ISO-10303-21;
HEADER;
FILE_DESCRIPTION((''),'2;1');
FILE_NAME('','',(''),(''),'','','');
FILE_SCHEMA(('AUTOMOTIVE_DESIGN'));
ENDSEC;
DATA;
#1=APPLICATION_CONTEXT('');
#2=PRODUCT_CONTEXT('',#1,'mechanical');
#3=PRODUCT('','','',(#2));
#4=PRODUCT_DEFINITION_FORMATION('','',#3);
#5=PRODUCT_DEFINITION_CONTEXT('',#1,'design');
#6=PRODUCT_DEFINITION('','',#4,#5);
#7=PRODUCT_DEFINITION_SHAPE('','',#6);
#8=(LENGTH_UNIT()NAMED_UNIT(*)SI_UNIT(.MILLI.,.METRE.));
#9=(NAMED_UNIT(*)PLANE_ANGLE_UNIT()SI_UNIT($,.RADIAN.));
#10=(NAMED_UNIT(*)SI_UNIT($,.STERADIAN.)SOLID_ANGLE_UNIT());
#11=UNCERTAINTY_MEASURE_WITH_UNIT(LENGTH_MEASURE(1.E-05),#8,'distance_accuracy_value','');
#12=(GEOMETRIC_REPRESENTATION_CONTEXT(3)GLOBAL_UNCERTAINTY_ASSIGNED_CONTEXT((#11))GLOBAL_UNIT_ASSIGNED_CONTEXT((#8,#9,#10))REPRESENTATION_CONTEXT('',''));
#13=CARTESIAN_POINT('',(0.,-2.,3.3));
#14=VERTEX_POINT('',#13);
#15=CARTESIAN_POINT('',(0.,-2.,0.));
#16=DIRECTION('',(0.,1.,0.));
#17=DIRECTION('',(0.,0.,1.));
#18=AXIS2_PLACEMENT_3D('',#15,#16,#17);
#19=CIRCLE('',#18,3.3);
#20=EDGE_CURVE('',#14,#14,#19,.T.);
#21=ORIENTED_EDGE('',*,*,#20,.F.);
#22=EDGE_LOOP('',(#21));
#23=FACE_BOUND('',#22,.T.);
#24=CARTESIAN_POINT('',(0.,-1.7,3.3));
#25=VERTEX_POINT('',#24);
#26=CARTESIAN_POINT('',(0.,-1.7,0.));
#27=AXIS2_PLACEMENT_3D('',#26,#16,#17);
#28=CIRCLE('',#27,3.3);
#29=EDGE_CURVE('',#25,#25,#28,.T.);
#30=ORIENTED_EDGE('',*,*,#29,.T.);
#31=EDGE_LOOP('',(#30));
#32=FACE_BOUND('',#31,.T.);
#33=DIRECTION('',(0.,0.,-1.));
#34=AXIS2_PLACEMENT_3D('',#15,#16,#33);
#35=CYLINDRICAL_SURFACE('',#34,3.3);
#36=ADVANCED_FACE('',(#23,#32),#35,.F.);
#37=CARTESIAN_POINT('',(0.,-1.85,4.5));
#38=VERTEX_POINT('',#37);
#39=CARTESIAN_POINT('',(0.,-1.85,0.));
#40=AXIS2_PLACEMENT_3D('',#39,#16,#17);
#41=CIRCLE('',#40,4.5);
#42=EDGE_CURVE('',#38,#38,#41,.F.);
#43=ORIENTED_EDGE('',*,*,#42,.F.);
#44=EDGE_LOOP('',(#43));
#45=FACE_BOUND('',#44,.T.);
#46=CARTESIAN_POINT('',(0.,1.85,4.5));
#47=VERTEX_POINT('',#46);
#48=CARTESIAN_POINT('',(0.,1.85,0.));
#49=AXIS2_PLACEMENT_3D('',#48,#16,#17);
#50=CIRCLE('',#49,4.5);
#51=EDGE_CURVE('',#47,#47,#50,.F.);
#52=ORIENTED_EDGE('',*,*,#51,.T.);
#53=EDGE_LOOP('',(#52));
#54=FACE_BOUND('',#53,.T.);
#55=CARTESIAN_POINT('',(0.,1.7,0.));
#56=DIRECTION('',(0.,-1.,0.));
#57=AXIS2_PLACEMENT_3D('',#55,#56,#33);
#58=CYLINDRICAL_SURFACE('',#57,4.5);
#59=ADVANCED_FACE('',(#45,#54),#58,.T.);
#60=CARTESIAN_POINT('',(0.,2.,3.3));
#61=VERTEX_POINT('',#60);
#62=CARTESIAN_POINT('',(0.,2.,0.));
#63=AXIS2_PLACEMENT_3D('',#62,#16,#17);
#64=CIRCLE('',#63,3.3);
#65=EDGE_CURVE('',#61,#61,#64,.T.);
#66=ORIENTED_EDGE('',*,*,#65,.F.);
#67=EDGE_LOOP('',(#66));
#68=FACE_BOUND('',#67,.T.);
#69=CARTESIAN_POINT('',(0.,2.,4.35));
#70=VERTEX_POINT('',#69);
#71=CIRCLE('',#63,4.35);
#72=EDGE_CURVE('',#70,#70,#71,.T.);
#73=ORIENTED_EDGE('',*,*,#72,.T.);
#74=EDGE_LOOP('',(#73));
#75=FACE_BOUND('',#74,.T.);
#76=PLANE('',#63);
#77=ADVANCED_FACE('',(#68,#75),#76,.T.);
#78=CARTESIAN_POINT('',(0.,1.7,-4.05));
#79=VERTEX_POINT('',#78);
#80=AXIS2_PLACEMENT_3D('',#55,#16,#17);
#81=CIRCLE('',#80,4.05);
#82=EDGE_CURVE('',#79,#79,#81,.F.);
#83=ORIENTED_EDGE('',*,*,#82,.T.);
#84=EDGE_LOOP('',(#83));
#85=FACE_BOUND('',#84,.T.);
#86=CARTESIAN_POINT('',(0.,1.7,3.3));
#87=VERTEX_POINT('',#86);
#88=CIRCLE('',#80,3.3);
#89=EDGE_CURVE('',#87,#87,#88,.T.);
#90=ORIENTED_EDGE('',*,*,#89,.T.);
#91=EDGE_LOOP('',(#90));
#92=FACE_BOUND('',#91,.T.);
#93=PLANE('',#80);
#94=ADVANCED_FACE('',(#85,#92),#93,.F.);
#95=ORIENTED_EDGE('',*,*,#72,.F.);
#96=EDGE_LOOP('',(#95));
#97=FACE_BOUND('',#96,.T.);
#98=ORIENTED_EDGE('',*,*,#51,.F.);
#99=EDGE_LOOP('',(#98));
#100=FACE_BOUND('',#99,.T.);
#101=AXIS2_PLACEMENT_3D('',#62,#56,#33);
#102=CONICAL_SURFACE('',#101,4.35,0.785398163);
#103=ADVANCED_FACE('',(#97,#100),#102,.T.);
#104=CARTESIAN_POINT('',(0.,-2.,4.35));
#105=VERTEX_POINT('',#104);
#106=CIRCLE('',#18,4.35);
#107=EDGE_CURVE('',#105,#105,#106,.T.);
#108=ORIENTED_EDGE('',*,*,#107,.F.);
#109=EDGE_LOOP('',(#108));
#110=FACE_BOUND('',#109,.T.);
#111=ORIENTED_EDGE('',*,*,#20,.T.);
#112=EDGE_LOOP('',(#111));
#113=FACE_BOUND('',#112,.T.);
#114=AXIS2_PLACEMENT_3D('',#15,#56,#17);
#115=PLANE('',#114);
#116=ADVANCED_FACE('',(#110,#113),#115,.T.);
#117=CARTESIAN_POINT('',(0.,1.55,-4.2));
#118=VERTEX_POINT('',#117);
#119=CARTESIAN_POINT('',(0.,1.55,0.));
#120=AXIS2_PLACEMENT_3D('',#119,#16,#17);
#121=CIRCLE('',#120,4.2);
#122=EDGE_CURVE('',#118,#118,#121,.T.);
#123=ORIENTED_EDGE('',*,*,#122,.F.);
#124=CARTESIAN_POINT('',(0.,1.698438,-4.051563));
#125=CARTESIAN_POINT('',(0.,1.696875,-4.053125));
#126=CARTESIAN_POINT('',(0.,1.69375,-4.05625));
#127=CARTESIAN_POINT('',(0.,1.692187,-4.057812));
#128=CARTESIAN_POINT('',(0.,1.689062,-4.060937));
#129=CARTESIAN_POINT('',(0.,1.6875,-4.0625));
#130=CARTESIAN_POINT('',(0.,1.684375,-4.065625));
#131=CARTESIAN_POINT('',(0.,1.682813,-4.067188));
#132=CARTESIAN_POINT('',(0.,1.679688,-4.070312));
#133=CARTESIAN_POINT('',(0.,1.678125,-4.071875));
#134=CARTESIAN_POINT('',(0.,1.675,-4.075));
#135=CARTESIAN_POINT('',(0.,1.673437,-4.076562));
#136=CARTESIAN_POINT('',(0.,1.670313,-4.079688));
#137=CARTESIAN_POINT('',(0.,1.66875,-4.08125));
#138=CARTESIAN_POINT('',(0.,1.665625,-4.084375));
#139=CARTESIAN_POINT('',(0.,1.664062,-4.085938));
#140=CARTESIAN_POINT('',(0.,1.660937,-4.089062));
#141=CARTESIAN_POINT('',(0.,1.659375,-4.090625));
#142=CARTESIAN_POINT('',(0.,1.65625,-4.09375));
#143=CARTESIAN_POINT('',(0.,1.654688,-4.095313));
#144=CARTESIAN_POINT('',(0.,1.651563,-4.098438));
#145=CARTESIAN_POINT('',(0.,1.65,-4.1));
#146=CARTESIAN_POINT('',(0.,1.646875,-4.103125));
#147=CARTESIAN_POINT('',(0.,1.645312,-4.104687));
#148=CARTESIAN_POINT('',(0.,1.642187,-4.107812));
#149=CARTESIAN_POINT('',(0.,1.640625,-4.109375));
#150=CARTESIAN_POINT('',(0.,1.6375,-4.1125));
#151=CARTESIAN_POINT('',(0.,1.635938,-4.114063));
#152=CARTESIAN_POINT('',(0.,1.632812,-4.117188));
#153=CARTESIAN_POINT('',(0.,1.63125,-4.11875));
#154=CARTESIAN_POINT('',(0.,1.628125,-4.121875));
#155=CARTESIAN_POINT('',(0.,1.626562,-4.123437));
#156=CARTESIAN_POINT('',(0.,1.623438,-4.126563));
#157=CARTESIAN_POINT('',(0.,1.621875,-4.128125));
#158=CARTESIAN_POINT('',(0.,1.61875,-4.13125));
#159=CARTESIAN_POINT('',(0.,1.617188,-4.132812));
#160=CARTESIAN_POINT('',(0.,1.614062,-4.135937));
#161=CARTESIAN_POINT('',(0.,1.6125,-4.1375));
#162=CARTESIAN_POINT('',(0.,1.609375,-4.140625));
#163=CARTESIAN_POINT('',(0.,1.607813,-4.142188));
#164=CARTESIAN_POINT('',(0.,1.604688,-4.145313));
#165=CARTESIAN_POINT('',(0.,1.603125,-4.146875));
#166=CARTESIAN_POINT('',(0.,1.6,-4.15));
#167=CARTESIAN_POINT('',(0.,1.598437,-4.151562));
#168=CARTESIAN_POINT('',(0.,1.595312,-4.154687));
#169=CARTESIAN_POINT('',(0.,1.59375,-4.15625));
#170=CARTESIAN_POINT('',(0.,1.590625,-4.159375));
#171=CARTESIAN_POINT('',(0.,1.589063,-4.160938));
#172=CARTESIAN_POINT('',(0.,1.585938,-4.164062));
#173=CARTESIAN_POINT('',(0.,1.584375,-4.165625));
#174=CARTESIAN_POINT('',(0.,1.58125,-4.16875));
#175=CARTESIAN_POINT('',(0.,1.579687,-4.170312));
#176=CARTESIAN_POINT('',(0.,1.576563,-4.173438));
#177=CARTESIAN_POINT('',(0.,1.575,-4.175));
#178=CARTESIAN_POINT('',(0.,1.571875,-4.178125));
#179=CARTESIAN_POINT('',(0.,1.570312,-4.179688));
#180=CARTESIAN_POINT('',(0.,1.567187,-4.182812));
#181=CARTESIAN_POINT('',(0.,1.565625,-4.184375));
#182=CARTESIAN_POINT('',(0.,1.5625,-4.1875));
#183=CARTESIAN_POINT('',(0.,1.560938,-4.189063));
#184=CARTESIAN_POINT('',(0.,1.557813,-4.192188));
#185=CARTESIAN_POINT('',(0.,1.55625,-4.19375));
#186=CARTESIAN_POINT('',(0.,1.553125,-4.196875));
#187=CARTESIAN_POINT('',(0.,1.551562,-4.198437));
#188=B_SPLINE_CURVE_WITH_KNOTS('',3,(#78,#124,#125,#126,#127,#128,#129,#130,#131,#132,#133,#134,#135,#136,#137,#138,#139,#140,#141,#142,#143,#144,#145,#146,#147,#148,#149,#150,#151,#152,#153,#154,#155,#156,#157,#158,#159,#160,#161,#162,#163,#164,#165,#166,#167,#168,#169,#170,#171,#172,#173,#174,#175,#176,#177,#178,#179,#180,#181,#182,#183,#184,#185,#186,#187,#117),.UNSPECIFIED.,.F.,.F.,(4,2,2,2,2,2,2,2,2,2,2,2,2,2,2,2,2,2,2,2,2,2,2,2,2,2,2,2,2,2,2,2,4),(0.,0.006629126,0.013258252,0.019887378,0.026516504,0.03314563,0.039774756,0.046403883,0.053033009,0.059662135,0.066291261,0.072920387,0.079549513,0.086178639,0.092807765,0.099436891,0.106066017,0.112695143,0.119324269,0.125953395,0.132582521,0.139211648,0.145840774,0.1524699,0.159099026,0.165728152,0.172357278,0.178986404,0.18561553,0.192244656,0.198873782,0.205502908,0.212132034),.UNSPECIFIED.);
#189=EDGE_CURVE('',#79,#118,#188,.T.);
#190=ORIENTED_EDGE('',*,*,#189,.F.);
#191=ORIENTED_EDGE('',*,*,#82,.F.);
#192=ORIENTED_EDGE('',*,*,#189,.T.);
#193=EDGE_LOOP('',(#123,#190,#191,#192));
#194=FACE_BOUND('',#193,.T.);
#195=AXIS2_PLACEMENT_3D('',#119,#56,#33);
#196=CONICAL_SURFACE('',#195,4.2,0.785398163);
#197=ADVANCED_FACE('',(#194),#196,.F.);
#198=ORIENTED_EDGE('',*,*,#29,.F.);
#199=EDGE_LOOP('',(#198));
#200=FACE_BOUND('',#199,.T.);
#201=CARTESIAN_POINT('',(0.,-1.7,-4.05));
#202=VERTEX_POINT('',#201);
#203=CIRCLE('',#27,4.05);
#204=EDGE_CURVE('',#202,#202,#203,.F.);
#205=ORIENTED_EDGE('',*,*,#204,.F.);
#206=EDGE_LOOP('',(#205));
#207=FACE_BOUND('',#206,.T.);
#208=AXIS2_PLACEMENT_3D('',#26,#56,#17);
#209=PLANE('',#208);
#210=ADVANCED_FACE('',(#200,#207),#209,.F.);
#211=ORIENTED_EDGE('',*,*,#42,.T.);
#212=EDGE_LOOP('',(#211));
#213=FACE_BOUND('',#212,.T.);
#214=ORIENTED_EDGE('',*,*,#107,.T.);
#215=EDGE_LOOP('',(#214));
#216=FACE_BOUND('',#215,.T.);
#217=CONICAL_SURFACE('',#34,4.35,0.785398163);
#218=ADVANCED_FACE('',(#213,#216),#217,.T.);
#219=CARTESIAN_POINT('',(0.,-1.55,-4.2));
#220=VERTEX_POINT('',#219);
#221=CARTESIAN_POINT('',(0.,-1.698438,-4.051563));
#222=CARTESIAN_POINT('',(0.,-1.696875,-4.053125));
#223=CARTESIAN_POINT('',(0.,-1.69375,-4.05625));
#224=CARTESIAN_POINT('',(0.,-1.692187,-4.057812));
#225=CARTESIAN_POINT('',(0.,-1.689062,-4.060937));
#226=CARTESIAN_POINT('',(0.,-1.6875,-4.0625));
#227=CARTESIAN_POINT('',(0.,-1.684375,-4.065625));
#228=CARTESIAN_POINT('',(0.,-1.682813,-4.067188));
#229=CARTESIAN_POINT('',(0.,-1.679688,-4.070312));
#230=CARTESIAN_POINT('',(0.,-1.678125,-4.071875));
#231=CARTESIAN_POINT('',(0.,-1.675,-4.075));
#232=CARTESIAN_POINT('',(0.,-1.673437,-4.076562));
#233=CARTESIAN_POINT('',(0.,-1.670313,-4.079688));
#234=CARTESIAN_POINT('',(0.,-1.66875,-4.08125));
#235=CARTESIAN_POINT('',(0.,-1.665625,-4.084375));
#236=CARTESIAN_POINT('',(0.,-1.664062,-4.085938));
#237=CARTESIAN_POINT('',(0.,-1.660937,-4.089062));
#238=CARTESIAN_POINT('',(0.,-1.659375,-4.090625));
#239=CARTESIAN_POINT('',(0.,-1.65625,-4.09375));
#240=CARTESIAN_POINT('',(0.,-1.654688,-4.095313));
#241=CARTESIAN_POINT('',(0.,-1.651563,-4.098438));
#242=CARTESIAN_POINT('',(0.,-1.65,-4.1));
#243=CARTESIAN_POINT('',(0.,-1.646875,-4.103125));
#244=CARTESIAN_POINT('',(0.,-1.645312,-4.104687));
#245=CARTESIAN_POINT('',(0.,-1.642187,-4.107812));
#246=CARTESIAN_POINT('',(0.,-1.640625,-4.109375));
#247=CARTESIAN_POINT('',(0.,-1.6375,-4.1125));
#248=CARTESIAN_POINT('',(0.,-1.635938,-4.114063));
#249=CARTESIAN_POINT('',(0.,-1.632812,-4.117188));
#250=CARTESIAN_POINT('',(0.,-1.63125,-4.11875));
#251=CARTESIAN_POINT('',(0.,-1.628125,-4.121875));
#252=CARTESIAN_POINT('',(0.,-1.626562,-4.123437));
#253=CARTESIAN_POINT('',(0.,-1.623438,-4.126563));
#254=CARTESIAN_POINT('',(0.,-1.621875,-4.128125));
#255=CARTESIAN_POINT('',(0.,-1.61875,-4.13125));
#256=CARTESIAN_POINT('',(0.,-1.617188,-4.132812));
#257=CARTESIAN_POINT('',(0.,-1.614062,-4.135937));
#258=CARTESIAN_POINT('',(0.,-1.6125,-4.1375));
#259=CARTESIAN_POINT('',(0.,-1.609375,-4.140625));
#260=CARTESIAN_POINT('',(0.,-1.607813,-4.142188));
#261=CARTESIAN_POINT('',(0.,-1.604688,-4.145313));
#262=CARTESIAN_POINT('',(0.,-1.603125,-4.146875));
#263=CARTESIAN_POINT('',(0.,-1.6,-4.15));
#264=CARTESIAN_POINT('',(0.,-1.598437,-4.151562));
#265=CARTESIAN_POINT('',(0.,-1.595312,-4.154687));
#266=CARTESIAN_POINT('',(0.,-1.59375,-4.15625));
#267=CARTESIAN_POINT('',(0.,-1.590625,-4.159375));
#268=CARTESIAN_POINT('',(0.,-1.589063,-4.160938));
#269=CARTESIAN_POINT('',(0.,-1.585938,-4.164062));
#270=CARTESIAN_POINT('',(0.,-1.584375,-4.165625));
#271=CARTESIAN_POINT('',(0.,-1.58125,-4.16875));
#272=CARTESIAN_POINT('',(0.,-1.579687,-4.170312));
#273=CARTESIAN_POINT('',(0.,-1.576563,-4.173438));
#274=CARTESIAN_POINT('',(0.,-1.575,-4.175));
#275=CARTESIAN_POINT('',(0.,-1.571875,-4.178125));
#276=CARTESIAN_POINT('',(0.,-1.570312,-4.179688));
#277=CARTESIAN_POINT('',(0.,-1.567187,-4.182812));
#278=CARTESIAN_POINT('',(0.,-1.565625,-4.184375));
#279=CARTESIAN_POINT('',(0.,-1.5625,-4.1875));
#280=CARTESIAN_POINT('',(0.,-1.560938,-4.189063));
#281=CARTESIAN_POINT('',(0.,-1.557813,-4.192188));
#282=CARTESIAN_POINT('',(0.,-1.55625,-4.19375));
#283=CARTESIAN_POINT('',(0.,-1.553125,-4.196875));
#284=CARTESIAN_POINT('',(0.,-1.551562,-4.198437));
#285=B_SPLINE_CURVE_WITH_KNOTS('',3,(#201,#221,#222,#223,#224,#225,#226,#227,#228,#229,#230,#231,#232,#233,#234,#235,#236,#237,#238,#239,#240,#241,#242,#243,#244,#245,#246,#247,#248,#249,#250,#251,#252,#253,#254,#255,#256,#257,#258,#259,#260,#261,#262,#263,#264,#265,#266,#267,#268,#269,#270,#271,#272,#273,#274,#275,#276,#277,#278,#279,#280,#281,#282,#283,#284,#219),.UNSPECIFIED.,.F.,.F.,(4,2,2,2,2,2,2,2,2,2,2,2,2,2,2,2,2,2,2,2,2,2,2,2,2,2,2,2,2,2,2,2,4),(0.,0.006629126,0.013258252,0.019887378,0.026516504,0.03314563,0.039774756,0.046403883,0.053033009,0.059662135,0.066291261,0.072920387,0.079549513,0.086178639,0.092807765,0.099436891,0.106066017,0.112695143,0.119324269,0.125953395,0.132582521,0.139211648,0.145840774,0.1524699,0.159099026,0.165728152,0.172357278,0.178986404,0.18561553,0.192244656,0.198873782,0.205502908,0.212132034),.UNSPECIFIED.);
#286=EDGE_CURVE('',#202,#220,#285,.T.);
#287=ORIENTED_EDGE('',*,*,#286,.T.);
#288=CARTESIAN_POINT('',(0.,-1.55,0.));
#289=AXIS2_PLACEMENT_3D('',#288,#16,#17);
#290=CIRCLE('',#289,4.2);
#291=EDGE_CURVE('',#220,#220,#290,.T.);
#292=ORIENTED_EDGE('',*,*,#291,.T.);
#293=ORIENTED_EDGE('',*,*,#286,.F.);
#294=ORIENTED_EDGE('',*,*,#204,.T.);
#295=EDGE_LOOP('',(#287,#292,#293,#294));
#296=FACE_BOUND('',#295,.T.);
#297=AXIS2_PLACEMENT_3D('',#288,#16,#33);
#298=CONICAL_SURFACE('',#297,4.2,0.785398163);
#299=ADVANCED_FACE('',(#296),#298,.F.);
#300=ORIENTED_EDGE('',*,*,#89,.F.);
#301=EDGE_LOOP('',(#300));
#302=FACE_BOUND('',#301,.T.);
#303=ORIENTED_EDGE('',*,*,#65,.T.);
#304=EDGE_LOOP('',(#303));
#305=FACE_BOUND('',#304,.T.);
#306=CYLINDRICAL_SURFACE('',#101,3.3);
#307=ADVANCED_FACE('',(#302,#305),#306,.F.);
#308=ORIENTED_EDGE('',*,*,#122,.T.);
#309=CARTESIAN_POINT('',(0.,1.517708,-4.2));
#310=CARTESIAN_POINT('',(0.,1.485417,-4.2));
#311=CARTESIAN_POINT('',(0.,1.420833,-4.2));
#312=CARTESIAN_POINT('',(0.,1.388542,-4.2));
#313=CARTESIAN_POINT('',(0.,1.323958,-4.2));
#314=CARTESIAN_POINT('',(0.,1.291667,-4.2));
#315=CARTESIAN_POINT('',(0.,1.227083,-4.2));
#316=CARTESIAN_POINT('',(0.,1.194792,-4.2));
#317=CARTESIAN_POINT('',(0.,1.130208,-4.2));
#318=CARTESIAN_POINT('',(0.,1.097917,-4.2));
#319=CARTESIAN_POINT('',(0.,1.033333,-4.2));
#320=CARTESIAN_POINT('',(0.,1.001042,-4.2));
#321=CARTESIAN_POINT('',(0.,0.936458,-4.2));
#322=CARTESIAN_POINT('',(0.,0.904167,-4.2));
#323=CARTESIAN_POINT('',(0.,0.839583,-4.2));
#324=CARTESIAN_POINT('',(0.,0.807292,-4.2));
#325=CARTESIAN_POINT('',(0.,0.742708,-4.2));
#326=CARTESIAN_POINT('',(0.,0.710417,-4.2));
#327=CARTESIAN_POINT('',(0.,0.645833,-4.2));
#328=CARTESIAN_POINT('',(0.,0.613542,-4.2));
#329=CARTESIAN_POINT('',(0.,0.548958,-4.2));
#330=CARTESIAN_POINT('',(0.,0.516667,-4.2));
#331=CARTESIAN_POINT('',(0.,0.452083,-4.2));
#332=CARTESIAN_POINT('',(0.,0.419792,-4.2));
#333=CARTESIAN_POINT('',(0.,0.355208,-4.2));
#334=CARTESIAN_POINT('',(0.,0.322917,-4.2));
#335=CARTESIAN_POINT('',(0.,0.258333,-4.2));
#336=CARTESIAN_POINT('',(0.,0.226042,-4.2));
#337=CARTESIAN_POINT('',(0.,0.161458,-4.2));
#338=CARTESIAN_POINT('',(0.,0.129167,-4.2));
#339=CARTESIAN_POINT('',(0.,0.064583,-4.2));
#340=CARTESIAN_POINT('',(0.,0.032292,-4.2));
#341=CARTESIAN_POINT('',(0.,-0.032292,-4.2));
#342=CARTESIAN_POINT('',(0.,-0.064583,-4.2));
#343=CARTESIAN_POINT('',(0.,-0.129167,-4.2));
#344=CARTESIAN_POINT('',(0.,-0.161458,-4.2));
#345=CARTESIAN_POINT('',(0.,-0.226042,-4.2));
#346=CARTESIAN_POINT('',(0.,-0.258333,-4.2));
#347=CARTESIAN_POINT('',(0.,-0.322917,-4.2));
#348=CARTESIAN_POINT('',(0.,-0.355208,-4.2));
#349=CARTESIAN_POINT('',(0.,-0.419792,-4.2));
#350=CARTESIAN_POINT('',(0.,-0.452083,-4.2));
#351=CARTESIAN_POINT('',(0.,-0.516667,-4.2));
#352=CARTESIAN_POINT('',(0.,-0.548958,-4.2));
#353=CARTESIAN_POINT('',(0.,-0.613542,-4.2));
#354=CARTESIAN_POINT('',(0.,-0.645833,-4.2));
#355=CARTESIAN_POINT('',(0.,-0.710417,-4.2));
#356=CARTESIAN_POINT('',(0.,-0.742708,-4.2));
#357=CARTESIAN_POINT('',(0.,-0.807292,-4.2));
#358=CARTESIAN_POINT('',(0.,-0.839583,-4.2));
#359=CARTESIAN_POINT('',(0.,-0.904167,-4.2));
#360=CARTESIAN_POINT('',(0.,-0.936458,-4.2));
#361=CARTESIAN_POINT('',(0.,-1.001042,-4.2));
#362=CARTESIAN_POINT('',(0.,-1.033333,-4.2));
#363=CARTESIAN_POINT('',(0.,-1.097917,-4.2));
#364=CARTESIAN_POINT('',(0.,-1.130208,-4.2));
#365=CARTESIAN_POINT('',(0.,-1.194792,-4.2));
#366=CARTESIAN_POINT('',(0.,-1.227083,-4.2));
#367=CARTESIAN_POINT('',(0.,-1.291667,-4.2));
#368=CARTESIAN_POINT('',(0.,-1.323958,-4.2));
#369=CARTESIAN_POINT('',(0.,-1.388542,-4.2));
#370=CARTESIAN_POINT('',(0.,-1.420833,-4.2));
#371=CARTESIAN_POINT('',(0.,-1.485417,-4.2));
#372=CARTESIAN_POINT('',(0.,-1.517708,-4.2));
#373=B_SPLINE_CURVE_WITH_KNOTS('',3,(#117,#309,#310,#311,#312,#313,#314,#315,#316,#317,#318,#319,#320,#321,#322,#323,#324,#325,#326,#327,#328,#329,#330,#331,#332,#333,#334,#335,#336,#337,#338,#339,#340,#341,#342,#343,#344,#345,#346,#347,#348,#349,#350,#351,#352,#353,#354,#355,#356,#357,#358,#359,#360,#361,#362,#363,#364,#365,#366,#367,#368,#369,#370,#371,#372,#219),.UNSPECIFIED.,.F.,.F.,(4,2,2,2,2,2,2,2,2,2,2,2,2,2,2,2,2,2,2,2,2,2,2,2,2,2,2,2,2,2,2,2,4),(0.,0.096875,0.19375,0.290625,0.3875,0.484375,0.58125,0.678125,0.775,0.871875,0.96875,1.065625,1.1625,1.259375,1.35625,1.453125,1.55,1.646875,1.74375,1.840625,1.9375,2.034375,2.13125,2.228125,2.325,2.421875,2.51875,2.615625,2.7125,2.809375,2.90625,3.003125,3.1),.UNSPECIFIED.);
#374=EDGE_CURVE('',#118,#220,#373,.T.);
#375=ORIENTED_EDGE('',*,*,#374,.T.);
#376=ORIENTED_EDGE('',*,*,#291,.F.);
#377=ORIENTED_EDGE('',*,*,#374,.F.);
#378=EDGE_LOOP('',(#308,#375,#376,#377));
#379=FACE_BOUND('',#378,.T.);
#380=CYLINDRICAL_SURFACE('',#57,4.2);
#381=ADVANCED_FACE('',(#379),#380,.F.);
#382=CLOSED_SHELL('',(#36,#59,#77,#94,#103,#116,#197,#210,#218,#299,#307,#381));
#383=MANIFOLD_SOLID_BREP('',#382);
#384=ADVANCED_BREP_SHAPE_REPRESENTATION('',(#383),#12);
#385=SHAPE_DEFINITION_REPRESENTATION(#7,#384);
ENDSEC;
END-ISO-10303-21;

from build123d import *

# Parameters (mm, degrees)
SKETCH1_R           = 4.5
SKETCH1_R_2         = 4.2
BOSS_EXTRUDE1_DEPTH = 1.7
SKETCH2_R           = 4.5
SKETCH2_R_2         = 3.3
BOSS_EXTRUDE2_DEPTH = 0.3
CHAMFER1_SIZE       = 0.15
CHAMFER2_SIZE       = 0.15


with BuildPart() as part:
    # Sketch1 → Boss-Extrude1 (new body)
    with BuildSketch(Plane(origin=(0, 0, 0), x_dir=(1, 0, 0), z_dir=(0, 1, 0))):
        with Locations(Location((0, 0, 0), (0, 0, 270))):
            Circle(SKETCH1_R)
        with Locations(Location((0, 0, 0), (0, 0, 270))):
            Circle(SKETCH1_R_2, mode=Mode.SUBTRACT)
    extrude(amount=BOSS_EXTRUDE1_DEPTH)

    # Sketch2 → Boss-Extrude2 (add)
    with BuildSketch(Plane(origin=(0, 1.7, 0), x_dir=(1, 0, 0), z_dir=(0, 1, 0))):
        with Locations(Location((0, 0, 0), (0, 0, 270))):
            Circle(SKETCH2_R)
        with Locations(Location((0, 0, 0), (0, 0, 270))):
            Circle(SKETCH2_R_2, mode=Mode.SUBTRACT)
    extrude(amount=BOSS_EXTRUDE2_DEPTH)

    # Chamfer1
    chamfer1_edges = [part.edges().sort_by_distance(p)[0] for p in [
        (0, 2, -4.5),
    ]]
    chamfer(chamfer1_edges, length=CHAMFER1_SIZE)

    # Chamfer2
    chamfer2_edges = [part.edges().sort_by_distance(p)[0] for p in [
        (0, 1.7, -4.2),
    ]]
    chamfer(chamfer2_edges, length=CHAMFER2_SIZE)

    # Mirror1: part across plane


with BuildPart() as part_1:
    add(part.part)
    add(part.part.mirror(Plane.ZX))


solid = part_1.part
